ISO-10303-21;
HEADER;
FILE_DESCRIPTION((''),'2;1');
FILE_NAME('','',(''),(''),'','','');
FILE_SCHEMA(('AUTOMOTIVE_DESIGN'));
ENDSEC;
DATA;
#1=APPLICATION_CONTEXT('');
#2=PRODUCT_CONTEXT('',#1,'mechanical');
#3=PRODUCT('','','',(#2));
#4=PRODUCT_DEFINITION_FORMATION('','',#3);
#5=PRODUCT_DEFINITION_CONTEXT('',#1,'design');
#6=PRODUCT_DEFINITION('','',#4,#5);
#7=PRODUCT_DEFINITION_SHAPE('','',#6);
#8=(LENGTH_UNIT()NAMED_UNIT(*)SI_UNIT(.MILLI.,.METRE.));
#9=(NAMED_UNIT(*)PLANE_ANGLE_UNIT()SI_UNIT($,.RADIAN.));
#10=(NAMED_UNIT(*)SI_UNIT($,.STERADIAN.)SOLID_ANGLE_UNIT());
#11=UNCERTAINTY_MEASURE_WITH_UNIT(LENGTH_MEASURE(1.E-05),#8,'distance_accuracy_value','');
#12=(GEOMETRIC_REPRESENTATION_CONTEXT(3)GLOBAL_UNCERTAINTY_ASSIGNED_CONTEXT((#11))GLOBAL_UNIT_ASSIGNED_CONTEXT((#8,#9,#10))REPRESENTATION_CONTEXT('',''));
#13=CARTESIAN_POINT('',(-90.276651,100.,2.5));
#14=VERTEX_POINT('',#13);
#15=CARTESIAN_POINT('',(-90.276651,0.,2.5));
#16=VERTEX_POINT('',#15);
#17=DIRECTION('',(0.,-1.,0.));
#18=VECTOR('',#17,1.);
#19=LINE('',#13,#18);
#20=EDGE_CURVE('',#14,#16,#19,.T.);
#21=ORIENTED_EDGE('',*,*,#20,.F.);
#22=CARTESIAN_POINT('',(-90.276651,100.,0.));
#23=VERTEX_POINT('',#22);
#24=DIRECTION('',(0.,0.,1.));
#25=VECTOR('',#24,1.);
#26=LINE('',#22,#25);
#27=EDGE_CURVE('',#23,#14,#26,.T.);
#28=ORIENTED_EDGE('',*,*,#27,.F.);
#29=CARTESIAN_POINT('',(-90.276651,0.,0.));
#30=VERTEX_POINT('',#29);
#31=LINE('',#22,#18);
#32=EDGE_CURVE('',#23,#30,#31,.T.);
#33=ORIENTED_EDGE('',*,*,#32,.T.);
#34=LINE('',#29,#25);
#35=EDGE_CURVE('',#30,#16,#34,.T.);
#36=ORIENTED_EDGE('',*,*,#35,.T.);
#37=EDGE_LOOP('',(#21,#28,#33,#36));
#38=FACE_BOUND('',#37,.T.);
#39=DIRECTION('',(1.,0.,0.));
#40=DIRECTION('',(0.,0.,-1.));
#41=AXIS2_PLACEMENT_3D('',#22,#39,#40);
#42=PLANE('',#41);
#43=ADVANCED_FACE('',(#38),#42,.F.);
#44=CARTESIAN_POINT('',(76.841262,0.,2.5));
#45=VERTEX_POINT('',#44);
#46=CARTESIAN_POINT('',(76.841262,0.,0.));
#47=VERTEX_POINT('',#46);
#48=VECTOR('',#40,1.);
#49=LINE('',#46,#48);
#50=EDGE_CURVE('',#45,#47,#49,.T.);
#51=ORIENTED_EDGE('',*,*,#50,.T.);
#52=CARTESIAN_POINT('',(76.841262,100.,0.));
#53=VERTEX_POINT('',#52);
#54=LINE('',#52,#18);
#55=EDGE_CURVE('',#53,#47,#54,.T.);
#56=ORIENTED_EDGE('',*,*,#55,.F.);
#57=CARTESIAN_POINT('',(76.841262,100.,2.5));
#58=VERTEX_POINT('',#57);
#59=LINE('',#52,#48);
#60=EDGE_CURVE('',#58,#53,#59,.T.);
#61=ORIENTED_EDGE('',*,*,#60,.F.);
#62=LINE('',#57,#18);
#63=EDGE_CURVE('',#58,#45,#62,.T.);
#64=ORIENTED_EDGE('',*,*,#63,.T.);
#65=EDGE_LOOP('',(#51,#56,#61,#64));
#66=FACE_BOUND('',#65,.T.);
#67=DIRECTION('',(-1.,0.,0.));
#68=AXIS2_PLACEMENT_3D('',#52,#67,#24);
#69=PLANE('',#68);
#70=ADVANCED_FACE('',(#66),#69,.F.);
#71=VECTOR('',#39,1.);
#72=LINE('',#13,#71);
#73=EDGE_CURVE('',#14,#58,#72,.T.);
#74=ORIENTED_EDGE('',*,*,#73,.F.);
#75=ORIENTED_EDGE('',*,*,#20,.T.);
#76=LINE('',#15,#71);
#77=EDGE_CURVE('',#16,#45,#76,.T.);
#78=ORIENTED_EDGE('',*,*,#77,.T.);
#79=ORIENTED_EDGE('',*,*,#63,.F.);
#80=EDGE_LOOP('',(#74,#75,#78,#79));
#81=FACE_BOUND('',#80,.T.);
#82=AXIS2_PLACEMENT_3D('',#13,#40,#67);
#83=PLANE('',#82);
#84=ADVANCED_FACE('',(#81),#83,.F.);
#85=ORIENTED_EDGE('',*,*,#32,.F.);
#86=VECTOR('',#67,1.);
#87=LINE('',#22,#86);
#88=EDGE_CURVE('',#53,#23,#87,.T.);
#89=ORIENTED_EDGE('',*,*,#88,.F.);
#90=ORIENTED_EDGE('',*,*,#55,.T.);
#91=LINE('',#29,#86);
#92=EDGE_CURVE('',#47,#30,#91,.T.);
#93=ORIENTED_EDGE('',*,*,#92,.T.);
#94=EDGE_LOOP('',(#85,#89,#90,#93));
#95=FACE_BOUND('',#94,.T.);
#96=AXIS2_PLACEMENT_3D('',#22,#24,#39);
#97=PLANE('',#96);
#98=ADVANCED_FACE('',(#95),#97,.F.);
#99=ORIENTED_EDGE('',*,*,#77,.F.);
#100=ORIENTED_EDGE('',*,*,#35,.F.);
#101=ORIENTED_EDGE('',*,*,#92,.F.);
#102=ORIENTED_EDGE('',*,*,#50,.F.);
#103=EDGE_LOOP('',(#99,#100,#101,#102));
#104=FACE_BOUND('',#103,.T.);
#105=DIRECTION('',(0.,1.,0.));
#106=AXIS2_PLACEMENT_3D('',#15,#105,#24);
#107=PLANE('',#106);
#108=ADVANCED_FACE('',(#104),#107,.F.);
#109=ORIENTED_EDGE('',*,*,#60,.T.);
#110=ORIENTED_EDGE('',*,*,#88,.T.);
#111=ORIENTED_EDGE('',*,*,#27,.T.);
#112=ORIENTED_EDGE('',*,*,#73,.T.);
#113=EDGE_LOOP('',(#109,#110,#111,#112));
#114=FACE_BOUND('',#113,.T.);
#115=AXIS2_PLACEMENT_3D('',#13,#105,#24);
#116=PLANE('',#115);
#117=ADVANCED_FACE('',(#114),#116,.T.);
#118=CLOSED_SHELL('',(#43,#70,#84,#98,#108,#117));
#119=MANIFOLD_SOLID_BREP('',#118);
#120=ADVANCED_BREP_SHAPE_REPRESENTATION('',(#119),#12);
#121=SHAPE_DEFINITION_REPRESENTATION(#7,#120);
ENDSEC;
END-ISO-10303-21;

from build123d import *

# Parameters (mm, degrees)
SKETCH_1_W      = 167.117912718
SKETCH_1_H      = 2.5
EXTRUDE_1_DEPTH = 100


with BuildPart() as part:
    # Эскиз1 → Вытянуть1 (new body)
    with BuildSketch(Plane(origin=(0, 0, 0), x_dir=(1, 0, 0), z_dir=(0, 1, 0))):
        with Locations((-6.717694751, -1.25)):
            Rectangle(SKETCH_1_W, SKETCH_1_H)
    extrude(amount=EXTRUDE_1_DEPTH)


solid = part.part
